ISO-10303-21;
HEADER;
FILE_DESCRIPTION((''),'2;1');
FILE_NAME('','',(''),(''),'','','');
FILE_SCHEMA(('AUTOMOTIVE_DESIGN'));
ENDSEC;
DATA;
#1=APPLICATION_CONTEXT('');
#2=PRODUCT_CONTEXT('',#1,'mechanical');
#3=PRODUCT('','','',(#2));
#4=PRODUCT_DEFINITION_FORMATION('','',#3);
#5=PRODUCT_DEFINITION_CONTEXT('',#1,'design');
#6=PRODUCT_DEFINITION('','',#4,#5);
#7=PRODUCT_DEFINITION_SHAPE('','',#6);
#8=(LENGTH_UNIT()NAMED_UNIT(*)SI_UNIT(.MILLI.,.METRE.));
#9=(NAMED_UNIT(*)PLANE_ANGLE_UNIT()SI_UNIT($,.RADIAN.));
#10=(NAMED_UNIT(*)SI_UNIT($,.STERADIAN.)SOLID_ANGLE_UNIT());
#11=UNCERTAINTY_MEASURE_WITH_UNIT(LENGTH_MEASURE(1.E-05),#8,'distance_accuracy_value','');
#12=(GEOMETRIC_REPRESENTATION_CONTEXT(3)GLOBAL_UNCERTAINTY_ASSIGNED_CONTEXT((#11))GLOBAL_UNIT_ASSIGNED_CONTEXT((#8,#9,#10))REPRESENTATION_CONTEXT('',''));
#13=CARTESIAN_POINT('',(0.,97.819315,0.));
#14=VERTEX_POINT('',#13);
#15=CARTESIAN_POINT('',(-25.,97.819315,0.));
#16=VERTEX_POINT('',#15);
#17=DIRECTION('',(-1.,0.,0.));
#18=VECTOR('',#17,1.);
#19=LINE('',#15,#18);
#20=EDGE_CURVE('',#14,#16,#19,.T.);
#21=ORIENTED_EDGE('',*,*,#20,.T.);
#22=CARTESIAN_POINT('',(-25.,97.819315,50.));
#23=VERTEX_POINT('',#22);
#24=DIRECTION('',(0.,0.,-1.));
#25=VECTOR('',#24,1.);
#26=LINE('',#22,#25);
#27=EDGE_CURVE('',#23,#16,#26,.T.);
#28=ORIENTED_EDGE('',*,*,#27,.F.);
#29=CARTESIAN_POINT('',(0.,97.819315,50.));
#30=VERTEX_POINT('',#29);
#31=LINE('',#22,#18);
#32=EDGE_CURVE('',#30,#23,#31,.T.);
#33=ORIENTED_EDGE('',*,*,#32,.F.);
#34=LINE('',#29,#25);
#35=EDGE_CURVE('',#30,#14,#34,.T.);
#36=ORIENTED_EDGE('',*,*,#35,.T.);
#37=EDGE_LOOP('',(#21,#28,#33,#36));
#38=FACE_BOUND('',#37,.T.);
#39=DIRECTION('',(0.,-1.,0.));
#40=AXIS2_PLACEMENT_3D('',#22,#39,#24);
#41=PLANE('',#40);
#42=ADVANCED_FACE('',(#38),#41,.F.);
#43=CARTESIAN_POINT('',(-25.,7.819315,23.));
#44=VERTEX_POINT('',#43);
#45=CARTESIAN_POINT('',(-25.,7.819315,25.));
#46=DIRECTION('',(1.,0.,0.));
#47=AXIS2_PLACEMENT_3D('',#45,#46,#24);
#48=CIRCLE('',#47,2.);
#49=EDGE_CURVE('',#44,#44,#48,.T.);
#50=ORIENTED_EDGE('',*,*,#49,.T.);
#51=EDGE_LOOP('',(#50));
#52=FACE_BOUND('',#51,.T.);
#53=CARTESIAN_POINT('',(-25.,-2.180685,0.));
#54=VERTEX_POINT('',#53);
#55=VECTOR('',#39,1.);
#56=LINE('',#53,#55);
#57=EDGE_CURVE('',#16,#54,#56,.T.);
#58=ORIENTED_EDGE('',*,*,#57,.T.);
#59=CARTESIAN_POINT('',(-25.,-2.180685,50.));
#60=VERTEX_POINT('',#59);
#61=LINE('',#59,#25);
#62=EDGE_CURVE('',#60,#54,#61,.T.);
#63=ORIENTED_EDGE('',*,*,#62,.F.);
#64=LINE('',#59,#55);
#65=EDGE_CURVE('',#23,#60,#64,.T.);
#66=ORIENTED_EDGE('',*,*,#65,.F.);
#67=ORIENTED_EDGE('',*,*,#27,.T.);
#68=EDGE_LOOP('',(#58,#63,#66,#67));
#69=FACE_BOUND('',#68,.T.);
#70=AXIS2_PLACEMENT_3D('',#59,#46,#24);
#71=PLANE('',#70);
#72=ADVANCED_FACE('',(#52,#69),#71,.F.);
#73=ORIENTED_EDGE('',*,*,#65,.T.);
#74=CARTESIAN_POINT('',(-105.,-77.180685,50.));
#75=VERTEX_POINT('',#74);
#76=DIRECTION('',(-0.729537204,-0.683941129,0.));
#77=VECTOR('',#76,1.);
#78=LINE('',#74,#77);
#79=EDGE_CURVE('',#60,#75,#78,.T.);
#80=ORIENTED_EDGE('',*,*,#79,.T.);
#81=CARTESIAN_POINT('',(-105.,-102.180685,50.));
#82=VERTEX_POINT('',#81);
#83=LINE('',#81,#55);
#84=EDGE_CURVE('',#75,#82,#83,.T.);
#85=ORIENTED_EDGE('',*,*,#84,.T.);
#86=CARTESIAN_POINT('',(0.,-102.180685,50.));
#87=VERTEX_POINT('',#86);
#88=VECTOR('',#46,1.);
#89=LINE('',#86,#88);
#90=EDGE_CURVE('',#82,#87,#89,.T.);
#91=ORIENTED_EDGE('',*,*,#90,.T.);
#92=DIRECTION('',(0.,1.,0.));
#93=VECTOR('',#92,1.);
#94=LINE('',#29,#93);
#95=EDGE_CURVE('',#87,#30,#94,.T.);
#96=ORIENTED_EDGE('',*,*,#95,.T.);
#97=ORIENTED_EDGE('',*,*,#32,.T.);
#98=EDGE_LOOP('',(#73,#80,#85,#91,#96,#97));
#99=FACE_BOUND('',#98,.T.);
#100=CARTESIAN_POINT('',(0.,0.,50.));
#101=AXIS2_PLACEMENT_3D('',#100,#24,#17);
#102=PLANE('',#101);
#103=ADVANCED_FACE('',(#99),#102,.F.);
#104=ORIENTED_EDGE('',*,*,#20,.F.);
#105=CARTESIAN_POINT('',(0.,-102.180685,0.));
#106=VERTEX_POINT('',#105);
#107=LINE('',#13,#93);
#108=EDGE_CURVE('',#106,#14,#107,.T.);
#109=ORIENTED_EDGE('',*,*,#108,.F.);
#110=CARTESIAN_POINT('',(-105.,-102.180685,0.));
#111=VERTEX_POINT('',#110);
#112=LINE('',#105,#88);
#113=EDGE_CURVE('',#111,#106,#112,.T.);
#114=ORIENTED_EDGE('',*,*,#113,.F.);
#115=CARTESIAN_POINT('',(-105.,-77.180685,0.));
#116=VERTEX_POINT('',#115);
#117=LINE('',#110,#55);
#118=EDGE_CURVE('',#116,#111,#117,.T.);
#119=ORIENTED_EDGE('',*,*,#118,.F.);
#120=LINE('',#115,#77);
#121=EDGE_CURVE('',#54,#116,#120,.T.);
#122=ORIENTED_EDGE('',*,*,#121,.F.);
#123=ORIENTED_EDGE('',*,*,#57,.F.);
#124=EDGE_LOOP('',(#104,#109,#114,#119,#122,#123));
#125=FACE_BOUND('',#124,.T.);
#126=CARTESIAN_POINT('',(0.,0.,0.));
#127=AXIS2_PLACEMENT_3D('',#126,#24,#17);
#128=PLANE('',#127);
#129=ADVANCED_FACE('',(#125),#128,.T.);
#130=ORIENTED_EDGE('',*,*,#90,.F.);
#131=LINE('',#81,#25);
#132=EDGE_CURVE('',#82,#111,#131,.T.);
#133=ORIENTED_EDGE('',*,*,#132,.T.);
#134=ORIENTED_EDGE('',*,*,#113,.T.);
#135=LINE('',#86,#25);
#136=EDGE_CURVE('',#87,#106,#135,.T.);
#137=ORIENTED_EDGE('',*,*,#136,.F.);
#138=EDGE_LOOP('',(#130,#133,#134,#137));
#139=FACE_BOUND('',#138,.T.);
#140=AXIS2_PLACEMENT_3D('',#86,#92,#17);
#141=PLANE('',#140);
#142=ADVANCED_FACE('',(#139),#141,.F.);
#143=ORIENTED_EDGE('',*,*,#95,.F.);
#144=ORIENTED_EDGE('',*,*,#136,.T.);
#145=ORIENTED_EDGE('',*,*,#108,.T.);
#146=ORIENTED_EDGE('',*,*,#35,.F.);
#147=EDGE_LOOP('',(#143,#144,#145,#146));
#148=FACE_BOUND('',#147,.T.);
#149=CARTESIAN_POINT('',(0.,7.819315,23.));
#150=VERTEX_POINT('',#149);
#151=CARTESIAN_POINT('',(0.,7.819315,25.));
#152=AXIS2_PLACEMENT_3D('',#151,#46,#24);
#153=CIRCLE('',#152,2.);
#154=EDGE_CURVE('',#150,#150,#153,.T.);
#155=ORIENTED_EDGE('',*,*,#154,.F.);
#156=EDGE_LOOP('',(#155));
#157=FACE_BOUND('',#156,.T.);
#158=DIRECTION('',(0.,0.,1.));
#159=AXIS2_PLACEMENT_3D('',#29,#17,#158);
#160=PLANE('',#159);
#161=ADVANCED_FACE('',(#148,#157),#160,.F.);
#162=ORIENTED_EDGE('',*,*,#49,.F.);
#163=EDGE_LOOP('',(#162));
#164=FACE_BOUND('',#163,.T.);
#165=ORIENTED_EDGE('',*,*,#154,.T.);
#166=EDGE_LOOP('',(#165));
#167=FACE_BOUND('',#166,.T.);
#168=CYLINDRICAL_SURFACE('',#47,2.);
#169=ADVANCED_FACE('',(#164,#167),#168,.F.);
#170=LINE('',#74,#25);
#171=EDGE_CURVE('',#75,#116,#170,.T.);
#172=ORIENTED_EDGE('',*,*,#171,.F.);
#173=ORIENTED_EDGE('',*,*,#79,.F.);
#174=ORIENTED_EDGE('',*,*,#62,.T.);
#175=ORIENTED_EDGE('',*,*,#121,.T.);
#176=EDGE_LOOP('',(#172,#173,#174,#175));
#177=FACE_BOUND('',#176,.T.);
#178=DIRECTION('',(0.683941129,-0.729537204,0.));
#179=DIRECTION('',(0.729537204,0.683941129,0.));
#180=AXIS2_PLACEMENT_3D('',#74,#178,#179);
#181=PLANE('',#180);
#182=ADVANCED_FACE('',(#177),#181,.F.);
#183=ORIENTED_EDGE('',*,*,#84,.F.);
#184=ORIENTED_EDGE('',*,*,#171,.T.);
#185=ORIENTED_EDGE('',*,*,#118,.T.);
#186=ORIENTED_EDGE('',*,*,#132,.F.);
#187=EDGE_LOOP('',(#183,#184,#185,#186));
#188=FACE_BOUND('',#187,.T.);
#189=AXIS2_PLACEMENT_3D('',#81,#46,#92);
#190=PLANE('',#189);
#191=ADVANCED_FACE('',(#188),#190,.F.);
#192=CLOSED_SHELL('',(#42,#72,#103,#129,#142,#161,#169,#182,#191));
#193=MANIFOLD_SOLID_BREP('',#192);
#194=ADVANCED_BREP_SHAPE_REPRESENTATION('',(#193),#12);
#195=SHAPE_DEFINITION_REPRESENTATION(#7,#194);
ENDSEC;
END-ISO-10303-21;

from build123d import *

# Parameters (mm, degrees)
BOSS_EXTRUDE1_DEPTH = 50
SKETCH2_R           = 2
CUT_EXTRUDE1_DEPTH  = 25


with BuildPart() as part:
    # Sketch1 → Boss-Extrude1 (new body)
    with BuildSketch(Plane.XY):
        Polygon((0, 97.819314642), (0, -102.180685358), (-105, -102.180685358), (-105, -77.180685358), (-25, -2.180685358), (-25, 97.819314642), align=None)
    extrude(amount=BOSS_EXTRUDE1_DEPTH)

    # Sketch2 → Cut-Extrude1 (cut)
    with BuildSketch(Plane(origin=(0, 0, 0), x_dir=(0, 0, -1), z_dir=(1, 0, 0))):
        with Locations((-25, 7.819314642)):
            Circle(SKETCH2_R)
    extrude(amount=-CUT_EXTRUDE1_DEPTH, mode=Mode.SUBTRACT)


solid = part.part
